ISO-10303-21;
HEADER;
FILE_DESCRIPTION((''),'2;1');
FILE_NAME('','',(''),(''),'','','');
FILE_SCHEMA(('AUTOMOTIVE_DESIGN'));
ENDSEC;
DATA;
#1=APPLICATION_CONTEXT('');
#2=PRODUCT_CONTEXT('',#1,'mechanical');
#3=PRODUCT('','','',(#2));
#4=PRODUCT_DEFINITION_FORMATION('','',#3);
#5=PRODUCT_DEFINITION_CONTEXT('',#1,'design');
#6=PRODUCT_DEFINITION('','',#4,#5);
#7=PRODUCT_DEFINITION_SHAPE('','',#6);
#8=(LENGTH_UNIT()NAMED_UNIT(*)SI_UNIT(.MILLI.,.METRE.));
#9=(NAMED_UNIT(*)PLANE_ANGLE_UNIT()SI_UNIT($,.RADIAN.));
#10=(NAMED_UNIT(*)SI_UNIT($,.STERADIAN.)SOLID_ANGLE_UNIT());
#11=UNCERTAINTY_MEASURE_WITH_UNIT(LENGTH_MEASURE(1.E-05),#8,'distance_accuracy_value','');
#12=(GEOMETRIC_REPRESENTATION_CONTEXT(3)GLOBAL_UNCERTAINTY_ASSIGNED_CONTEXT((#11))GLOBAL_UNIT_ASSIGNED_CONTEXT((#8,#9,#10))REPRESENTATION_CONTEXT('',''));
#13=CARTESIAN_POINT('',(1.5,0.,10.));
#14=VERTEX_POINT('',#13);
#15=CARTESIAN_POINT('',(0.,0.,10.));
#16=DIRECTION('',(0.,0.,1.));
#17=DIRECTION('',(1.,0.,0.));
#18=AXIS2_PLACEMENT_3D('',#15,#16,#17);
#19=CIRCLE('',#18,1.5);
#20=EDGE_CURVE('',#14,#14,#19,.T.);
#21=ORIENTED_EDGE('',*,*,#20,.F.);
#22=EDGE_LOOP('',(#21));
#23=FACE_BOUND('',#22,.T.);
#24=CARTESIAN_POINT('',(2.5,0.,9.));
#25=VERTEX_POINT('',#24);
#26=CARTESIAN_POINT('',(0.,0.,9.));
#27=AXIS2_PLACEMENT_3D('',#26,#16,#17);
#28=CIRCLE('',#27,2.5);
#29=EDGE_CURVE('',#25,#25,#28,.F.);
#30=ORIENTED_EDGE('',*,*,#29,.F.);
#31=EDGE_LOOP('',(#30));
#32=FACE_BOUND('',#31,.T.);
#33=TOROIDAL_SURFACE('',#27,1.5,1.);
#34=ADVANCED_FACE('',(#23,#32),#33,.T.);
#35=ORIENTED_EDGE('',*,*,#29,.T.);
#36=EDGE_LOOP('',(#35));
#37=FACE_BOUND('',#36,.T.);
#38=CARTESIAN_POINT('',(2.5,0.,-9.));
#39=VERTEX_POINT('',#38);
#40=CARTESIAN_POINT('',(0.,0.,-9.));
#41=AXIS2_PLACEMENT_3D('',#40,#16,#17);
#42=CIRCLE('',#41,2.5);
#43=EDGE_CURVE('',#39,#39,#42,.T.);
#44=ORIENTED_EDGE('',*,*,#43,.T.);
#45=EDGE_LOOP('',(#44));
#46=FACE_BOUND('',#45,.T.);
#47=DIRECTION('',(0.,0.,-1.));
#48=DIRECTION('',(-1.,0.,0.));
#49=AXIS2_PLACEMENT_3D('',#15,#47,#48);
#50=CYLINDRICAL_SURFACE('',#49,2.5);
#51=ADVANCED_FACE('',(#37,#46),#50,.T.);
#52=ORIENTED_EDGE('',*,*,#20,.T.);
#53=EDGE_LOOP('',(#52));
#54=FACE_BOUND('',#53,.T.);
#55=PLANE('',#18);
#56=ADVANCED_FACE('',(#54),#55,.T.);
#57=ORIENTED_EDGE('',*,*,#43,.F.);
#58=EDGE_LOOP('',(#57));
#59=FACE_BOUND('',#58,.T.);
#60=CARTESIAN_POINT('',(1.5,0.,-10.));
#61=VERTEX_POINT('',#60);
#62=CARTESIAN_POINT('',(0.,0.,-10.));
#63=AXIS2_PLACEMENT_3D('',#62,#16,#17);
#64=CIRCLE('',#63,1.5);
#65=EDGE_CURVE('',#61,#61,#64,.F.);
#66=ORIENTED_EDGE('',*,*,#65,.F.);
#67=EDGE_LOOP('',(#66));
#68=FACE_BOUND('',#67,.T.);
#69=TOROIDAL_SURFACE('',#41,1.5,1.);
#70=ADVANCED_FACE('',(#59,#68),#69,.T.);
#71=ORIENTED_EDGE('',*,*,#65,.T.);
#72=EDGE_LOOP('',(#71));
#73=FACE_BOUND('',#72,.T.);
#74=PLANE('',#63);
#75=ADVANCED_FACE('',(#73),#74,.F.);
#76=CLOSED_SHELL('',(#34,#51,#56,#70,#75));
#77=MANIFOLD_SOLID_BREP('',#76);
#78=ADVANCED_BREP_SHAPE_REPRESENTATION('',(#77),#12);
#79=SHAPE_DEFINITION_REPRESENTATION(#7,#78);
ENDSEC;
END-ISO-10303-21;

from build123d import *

# Parameters (mm, degrees)
CROQUIS1_R              = 2.5
SALIENTE_EXTRUIR1_DEPTH = 10
REDONDEO1_R             = 1


with BuildPart() as part:
    # Croquis1 → Saliente-Extruir1 (new, symmetric)
    with BuildSketch(Plane.XY):
        Circle(CROQUIS1_R)
    extrude(amount=SALIENTE_EXTRUIR1_DEPTH, both=True)

    # Redondeo1
    redondeo1_edges = [part.edges().sort_by_distance(p)[0] for p in [
        (-2.5, 0, -10),
        (-2.5, 0, 10),
    ]]
    fillet(redondeo1_edges, radius=REDONDEO1_R)


solid = part.part
